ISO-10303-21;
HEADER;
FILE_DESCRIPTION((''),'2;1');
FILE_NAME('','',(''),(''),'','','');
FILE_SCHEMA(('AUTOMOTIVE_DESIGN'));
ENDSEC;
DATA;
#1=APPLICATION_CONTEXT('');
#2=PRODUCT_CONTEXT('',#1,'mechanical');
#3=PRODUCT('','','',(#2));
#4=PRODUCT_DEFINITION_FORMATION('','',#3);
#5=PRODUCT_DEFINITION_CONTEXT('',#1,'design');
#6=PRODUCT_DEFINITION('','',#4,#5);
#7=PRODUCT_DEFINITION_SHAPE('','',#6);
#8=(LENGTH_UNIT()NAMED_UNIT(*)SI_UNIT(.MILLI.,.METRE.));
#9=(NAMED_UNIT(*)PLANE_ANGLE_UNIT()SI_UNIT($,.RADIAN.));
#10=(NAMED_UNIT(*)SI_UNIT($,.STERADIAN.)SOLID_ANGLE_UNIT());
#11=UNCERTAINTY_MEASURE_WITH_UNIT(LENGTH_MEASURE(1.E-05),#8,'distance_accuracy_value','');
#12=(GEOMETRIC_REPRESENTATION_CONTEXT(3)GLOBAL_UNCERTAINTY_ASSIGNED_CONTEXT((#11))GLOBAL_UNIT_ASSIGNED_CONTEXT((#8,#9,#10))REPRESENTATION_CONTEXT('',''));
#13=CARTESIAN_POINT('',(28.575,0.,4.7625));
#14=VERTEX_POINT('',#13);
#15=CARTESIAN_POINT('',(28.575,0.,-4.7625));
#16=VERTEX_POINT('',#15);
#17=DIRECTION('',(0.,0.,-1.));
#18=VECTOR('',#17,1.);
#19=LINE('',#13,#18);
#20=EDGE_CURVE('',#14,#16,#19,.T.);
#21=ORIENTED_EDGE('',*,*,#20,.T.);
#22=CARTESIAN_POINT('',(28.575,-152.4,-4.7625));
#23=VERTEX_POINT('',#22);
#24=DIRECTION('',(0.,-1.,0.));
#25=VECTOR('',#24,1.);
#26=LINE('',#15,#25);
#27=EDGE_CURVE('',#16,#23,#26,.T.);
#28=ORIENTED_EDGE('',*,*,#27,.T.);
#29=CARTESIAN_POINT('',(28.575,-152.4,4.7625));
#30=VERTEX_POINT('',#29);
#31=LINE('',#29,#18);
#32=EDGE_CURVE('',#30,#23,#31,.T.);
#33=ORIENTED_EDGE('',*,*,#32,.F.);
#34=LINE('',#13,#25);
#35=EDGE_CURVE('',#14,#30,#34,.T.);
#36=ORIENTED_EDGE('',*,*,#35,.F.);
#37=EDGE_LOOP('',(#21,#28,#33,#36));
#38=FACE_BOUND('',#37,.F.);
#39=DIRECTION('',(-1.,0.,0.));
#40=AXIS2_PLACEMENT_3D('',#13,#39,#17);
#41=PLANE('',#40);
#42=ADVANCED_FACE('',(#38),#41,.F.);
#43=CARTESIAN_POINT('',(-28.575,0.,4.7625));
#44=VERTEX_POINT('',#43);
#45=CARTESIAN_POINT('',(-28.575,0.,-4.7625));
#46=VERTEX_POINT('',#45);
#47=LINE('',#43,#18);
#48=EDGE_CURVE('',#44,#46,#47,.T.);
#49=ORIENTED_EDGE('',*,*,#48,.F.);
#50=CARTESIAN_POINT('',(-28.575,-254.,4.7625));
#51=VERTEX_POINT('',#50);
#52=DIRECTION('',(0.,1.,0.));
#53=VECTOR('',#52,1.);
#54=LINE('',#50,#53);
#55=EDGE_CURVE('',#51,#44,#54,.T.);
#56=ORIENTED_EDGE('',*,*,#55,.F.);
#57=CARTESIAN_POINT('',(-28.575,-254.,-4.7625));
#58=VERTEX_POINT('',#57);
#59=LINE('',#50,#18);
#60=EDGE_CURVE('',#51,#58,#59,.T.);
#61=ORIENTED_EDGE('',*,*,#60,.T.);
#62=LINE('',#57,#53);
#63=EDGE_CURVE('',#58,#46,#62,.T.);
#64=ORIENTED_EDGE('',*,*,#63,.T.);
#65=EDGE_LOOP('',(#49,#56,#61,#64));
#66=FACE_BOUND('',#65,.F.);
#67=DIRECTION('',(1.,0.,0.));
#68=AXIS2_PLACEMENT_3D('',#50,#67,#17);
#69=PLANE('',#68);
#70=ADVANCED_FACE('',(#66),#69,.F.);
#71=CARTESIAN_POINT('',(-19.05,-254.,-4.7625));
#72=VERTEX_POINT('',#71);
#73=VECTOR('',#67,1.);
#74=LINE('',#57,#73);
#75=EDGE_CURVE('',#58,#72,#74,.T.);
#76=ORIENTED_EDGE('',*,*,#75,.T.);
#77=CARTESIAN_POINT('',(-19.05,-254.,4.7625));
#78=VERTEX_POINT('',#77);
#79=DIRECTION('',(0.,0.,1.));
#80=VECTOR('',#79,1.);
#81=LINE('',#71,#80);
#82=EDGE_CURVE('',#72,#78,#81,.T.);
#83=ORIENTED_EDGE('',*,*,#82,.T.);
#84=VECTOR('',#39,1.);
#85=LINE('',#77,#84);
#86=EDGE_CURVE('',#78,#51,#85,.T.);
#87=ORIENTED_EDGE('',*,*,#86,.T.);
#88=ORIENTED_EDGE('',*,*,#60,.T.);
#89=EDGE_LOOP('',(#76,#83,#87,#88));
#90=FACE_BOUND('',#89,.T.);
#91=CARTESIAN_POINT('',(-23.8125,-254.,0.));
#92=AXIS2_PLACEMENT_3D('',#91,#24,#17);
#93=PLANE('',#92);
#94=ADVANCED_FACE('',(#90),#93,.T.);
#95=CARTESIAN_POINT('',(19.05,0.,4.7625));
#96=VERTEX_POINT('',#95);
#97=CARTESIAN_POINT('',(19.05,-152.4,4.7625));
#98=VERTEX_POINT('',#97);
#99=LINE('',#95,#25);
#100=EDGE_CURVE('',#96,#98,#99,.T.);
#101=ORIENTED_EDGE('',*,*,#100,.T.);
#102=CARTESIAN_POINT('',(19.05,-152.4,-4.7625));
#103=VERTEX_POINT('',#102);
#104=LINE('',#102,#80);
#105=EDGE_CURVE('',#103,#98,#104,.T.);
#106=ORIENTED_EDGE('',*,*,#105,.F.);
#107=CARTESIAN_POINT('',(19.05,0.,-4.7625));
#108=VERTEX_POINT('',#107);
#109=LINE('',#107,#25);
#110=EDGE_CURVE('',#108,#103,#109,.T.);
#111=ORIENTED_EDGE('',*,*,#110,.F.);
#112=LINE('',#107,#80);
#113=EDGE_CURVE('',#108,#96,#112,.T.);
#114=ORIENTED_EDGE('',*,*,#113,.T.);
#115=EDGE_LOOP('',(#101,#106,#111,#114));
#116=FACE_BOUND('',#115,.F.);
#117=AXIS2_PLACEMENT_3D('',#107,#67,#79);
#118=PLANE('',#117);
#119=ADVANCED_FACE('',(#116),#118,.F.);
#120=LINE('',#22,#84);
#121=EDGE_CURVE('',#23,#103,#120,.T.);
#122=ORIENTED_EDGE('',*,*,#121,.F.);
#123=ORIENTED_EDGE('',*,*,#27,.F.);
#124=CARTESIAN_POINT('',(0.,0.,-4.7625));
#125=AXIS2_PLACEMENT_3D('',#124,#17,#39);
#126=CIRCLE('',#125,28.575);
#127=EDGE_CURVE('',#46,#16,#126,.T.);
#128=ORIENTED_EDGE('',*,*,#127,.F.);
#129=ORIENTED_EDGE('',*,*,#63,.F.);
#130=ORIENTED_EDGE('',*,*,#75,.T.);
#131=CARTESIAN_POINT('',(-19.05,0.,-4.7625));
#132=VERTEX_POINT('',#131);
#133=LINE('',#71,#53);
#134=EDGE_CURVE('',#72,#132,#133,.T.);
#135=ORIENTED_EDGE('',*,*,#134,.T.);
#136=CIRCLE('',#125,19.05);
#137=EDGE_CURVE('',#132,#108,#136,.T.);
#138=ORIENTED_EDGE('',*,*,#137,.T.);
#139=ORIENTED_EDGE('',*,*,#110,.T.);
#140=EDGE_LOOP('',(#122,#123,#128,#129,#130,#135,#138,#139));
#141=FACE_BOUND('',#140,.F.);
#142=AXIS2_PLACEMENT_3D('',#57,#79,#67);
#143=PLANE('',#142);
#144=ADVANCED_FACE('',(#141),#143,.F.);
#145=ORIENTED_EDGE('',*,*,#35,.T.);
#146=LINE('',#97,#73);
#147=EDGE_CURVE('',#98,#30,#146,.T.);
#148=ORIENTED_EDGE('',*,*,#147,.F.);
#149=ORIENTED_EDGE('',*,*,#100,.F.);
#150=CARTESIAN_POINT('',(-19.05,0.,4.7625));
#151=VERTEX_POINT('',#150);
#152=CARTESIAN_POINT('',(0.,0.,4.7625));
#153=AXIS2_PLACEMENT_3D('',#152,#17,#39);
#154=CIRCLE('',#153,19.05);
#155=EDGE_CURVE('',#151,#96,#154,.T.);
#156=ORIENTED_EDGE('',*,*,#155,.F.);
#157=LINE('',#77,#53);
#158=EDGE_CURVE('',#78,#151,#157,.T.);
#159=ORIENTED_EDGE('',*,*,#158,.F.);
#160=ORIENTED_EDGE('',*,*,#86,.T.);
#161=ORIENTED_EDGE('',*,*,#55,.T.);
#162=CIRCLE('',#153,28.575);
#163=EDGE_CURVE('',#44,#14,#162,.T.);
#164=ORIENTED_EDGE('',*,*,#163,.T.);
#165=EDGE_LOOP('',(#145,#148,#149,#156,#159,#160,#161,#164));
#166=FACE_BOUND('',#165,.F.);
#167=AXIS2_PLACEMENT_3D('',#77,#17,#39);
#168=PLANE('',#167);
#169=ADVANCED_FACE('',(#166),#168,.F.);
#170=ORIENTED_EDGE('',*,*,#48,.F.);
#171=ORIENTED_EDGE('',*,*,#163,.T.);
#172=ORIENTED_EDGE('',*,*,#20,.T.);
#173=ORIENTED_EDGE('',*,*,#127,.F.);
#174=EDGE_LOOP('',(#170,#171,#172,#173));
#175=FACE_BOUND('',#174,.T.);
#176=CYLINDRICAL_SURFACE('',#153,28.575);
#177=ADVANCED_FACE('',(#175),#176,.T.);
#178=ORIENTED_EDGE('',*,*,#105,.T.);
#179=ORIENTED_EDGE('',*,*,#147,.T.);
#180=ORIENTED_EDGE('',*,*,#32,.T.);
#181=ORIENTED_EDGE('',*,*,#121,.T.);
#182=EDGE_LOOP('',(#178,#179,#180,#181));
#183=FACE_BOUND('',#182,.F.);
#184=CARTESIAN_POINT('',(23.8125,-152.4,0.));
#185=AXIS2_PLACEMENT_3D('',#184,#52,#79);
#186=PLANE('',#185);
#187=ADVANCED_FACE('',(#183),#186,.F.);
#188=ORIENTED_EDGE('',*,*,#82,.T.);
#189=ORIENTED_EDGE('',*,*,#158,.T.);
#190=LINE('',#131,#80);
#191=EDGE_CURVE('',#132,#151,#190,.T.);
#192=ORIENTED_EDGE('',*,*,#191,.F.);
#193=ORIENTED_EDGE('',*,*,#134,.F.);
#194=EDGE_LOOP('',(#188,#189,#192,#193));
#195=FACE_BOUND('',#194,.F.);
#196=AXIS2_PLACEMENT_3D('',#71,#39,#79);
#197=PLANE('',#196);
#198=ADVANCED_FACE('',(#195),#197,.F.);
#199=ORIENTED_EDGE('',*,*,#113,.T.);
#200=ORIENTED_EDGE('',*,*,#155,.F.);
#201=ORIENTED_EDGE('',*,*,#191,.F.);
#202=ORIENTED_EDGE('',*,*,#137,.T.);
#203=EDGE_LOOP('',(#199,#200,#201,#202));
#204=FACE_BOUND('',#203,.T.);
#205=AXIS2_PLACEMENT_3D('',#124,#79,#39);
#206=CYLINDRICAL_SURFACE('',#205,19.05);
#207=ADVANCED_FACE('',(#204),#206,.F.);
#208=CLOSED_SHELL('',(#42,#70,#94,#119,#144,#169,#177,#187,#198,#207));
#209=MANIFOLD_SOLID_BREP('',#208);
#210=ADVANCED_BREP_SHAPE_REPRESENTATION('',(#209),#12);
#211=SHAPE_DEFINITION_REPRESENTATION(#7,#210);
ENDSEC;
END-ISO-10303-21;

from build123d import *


with BuildPart() as f3:
    # F3: sweep along a path in F0
    with BuildLine(Plane.XY) as f3_path:
        Line((-23.8125, -254), (-23.8125, 0))
        ThreePointArc((-23.8125, 0), (0, 23.8125), (23.8125, 0))
        Line((23.8125, 0), (23.8125, -152.4))
    # F2 (on offset) → F3 (sweep)
    with BuildSketch(Plane.XZ.offset(254)):
        Polygon((-19.05, 4.7625), (-28.575, 4.7625), (-28.575, -4.7625), (-19.05, -4.7625), (-19.05, 0), align=None)
    sweep(path=f3_path.line)


solid = f3.part
